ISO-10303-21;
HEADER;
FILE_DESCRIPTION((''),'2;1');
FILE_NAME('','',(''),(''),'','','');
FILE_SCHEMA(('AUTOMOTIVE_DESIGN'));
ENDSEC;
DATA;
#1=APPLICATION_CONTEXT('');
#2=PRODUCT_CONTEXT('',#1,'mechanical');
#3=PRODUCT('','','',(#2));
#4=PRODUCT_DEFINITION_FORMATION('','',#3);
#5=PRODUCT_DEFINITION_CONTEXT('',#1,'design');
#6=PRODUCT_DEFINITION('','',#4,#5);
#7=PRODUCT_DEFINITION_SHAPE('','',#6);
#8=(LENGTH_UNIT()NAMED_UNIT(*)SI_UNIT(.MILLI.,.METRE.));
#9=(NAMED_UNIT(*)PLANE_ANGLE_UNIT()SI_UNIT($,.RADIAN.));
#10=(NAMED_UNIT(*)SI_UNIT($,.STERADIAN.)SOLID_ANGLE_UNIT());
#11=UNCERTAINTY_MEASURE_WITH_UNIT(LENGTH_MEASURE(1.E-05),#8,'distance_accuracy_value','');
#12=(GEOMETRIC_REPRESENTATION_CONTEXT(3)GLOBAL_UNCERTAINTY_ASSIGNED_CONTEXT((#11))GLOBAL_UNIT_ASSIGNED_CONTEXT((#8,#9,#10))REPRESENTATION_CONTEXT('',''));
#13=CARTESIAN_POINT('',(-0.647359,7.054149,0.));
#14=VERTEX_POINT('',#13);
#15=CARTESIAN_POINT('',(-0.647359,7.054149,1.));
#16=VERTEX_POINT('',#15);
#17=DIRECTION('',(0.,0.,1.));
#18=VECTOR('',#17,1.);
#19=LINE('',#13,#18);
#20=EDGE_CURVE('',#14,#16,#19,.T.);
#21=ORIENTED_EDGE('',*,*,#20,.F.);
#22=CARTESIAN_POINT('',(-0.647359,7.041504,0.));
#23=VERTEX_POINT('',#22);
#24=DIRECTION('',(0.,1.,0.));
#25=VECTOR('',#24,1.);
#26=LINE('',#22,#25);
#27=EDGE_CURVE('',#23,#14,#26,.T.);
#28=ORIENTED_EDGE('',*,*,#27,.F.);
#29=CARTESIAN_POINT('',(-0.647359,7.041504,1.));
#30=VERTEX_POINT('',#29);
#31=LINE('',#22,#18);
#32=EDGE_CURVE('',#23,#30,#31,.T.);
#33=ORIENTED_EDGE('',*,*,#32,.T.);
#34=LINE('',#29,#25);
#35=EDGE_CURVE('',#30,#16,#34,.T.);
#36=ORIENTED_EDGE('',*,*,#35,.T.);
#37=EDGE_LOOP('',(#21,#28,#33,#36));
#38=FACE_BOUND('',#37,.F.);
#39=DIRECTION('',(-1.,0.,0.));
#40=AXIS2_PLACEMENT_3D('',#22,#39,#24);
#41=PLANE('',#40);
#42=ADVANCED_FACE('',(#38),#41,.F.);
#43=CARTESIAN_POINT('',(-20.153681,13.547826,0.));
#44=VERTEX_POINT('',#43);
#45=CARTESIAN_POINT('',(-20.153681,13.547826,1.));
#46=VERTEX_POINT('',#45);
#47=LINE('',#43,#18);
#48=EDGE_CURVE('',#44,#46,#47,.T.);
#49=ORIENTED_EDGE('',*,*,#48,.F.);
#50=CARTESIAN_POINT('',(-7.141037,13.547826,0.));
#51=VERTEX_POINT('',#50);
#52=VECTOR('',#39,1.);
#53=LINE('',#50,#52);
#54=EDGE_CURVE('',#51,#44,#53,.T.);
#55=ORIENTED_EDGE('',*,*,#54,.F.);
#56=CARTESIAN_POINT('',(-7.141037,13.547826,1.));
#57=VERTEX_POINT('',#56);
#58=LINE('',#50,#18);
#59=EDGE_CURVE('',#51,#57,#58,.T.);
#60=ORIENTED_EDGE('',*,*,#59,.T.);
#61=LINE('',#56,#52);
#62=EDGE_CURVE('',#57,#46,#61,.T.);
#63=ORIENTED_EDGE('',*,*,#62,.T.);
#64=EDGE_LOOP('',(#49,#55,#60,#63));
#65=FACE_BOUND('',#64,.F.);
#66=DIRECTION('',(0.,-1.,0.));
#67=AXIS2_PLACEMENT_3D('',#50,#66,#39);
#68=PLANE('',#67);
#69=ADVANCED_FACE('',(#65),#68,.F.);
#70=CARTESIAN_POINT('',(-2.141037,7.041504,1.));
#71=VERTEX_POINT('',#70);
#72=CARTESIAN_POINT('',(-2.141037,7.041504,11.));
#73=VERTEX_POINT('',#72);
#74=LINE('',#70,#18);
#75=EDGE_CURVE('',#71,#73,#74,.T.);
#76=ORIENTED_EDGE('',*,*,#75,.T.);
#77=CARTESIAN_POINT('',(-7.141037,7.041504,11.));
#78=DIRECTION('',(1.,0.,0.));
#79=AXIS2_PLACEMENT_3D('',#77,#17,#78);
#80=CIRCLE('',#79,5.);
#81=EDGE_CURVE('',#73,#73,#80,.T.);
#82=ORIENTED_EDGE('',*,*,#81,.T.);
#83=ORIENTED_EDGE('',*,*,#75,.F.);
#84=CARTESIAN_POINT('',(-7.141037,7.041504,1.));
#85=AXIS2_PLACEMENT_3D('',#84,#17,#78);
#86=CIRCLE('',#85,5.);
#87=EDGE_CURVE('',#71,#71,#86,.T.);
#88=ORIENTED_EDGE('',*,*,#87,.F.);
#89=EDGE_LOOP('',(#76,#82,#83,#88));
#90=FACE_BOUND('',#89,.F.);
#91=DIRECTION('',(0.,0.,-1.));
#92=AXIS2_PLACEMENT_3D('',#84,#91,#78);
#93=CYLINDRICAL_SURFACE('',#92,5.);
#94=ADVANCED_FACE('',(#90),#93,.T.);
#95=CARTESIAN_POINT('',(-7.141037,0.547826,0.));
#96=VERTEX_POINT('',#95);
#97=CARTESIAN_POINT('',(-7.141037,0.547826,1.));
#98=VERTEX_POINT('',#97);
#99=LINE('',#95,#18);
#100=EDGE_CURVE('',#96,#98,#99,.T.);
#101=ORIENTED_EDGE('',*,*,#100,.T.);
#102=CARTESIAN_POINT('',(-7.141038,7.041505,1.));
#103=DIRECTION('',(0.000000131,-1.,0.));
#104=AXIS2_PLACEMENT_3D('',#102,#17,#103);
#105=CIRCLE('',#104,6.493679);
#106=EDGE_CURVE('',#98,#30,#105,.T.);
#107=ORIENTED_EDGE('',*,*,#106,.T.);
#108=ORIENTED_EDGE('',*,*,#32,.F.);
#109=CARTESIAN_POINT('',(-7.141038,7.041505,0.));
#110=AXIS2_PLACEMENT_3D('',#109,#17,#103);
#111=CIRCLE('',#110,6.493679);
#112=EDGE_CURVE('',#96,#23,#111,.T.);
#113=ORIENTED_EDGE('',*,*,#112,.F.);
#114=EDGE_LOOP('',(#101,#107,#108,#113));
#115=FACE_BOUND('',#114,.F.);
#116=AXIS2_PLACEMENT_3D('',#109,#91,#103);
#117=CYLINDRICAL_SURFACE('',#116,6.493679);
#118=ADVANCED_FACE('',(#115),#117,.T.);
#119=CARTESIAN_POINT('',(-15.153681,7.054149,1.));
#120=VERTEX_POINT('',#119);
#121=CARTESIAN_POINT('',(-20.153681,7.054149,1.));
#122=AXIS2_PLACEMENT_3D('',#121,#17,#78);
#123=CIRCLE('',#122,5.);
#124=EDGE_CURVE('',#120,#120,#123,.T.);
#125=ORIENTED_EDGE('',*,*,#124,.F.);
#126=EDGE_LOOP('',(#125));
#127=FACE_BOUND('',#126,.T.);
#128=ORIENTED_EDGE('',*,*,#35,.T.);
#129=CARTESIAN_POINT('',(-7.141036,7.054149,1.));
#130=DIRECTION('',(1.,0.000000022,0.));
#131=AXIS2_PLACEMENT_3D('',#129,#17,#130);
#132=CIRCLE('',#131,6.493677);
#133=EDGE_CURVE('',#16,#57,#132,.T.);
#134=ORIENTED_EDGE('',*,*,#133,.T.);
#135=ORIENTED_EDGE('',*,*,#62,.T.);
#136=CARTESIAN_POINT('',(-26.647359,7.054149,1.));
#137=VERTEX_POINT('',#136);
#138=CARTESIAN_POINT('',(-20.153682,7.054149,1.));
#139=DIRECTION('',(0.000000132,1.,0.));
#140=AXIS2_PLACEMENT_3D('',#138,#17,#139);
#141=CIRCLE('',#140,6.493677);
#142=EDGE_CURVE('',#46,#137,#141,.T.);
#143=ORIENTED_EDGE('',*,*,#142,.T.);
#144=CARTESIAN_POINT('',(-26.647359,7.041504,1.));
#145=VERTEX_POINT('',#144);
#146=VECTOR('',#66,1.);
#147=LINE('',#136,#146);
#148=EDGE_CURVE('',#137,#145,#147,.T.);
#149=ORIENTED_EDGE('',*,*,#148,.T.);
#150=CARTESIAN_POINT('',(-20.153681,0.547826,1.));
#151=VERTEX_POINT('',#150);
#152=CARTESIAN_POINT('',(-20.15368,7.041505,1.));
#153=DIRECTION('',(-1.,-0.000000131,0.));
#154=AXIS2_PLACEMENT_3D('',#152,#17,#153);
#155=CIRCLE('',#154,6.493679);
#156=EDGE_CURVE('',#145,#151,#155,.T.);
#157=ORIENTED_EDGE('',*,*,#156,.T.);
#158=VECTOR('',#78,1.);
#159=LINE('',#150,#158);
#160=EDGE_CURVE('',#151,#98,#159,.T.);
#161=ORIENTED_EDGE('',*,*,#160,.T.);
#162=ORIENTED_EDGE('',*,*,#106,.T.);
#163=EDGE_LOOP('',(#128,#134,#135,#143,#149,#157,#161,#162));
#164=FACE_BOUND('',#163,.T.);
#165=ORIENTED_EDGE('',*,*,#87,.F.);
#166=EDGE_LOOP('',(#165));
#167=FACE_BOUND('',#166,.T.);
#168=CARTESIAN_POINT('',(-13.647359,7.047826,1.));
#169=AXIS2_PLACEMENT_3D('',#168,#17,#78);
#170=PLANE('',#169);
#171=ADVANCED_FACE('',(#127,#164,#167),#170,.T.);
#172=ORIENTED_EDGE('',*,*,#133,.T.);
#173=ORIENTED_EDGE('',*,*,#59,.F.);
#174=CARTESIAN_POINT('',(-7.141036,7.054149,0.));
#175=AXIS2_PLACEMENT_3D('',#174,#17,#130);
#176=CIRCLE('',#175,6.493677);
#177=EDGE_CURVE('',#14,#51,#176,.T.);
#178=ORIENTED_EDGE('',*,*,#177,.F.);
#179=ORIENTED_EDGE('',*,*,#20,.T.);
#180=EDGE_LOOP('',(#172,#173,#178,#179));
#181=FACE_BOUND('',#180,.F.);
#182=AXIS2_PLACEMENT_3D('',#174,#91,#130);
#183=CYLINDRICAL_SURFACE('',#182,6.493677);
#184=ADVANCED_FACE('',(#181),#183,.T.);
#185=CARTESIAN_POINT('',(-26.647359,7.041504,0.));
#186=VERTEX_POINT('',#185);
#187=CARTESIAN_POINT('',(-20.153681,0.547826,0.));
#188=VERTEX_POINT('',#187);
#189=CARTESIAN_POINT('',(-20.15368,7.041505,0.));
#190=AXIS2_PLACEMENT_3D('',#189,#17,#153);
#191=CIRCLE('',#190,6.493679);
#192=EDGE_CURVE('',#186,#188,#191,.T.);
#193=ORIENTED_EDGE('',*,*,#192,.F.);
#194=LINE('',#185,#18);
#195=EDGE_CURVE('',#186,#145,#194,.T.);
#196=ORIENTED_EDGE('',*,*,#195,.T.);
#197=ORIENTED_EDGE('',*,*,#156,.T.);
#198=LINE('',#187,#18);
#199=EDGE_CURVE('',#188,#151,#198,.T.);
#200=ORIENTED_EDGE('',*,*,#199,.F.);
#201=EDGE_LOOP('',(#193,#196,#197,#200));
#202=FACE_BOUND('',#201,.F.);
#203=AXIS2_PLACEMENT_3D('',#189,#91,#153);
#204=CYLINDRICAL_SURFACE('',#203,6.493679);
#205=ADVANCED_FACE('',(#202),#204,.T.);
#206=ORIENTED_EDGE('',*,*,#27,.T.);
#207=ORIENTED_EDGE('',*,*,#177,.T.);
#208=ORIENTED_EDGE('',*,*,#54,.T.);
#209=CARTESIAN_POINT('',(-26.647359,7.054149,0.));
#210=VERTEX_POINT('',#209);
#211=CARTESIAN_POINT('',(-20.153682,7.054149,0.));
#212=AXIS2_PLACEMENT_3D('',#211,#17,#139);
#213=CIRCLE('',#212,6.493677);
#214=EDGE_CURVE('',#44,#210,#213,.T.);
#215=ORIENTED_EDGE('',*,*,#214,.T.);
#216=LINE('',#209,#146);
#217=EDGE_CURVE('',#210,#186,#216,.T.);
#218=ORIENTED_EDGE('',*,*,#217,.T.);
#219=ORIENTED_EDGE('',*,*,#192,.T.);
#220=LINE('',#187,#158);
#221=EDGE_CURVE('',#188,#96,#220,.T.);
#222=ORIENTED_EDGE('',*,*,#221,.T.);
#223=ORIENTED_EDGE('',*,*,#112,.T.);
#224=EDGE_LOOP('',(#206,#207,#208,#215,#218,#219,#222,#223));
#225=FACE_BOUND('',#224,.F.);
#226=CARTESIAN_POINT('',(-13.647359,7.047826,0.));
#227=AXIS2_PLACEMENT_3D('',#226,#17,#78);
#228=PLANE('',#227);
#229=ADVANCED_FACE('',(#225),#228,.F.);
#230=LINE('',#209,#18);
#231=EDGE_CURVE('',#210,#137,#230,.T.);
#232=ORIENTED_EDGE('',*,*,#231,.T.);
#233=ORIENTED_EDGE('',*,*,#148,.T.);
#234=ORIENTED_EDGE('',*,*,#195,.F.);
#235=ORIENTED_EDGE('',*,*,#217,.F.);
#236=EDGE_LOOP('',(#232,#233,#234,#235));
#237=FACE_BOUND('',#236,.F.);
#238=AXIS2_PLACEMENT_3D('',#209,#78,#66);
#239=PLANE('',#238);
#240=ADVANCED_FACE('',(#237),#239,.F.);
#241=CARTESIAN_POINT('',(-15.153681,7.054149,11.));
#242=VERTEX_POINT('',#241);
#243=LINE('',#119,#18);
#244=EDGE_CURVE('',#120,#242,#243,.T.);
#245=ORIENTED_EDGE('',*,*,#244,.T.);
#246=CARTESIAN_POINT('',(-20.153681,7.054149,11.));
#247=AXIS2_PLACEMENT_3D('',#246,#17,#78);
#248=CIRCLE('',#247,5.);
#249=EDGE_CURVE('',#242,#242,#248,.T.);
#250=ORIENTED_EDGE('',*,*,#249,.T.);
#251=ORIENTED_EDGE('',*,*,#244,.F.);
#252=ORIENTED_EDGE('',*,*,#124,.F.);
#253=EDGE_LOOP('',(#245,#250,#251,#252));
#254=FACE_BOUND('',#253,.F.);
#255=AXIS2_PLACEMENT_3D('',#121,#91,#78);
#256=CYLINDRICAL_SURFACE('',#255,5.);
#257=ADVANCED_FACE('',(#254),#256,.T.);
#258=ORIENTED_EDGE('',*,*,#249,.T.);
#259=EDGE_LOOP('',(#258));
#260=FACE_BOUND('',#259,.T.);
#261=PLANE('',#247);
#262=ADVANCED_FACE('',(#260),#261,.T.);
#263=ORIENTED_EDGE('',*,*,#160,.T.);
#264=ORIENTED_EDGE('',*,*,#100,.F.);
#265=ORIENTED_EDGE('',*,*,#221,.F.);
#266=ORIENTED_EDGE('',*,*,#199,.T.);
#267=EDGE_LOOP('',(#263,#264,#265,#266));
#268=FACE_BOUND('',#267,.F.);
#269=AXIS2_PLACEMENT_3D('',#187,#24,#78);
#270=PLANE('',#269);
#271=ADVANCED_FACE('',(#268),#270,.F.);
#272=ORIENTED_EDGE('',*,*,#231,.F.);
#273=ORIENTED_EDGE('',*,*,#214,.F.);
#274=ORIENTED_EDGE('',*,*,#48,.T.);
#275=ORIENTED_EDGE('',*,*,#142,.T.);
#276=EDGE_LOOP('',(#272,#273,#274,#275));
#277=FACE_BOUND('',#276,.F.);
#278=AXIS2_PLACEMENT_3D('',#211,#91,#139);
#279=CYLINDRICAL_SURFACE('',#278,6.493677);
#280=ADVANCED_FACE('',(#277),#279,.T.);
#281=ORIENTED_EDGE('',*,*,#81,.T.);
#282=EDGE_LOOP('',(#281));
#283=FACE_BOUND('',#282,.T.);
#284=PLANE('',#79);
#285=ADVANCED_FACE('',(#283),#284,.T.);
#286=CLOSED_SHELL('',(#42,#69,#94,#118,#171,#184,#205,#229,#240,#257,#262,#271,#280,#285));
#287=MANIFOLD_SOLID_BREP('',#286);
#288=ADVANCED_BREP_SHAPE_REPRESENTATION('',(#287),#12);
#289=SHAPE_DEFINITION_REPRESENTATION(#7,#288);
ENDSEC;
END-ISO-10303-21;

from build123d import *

# Parameters (mm, degrees)
PAD_DEPTH    = 1
SKETCH002_R  = 5
PAD001_DEPTH = 10


with BuildPart() as part:
    # Sketch → Pad (new body)
    with BuildSketch(Plane.XY):
        with BuildLine():
            Line((-26.647359, 7.054149), (-26.647359, 7.041504))
            ThreePointArc((-26.647359, 7.041504), (-24.745405, 2.449781), (-20.153681, 0.547826))
            Line((-20.153681, 0.547826), (-7.141037, 0.547826))
            ThreePointArc((-7.141037, 0.547826), (-2.549313, 2.449781), (-0.647359, 7.041504))
            Line((-0.647359, 7.041504), (-0.647359, 7.054149))
            ThreePointArc((-0.647359, 7.054149), (-2.549313, 11.645872), (-7.141037, 13.547826))
            Line((-7.141037, 13.547826), (-20.153681, 13.547826))
            ThreePointArc((-20.153681, 13.547826), (-24.745405, 11.645872), (-26.647359, 7.054149))
        make_face()
    extrude(amount=PAD_DEPTH)

    # Sketch002 (on Face10 of Pad) → Pad001 (join)
    with BuildSketch(Plane.XY.offset(1)):
        with Locations((-20.153681, 7.054149)):
            Circle(SKETCH002_R)
        with Locations((-7.141037, 7.041504)):
            Circle(SKETCH002_R)
    extrude(amount=PAD001_DEPTH)


solid = part.part
